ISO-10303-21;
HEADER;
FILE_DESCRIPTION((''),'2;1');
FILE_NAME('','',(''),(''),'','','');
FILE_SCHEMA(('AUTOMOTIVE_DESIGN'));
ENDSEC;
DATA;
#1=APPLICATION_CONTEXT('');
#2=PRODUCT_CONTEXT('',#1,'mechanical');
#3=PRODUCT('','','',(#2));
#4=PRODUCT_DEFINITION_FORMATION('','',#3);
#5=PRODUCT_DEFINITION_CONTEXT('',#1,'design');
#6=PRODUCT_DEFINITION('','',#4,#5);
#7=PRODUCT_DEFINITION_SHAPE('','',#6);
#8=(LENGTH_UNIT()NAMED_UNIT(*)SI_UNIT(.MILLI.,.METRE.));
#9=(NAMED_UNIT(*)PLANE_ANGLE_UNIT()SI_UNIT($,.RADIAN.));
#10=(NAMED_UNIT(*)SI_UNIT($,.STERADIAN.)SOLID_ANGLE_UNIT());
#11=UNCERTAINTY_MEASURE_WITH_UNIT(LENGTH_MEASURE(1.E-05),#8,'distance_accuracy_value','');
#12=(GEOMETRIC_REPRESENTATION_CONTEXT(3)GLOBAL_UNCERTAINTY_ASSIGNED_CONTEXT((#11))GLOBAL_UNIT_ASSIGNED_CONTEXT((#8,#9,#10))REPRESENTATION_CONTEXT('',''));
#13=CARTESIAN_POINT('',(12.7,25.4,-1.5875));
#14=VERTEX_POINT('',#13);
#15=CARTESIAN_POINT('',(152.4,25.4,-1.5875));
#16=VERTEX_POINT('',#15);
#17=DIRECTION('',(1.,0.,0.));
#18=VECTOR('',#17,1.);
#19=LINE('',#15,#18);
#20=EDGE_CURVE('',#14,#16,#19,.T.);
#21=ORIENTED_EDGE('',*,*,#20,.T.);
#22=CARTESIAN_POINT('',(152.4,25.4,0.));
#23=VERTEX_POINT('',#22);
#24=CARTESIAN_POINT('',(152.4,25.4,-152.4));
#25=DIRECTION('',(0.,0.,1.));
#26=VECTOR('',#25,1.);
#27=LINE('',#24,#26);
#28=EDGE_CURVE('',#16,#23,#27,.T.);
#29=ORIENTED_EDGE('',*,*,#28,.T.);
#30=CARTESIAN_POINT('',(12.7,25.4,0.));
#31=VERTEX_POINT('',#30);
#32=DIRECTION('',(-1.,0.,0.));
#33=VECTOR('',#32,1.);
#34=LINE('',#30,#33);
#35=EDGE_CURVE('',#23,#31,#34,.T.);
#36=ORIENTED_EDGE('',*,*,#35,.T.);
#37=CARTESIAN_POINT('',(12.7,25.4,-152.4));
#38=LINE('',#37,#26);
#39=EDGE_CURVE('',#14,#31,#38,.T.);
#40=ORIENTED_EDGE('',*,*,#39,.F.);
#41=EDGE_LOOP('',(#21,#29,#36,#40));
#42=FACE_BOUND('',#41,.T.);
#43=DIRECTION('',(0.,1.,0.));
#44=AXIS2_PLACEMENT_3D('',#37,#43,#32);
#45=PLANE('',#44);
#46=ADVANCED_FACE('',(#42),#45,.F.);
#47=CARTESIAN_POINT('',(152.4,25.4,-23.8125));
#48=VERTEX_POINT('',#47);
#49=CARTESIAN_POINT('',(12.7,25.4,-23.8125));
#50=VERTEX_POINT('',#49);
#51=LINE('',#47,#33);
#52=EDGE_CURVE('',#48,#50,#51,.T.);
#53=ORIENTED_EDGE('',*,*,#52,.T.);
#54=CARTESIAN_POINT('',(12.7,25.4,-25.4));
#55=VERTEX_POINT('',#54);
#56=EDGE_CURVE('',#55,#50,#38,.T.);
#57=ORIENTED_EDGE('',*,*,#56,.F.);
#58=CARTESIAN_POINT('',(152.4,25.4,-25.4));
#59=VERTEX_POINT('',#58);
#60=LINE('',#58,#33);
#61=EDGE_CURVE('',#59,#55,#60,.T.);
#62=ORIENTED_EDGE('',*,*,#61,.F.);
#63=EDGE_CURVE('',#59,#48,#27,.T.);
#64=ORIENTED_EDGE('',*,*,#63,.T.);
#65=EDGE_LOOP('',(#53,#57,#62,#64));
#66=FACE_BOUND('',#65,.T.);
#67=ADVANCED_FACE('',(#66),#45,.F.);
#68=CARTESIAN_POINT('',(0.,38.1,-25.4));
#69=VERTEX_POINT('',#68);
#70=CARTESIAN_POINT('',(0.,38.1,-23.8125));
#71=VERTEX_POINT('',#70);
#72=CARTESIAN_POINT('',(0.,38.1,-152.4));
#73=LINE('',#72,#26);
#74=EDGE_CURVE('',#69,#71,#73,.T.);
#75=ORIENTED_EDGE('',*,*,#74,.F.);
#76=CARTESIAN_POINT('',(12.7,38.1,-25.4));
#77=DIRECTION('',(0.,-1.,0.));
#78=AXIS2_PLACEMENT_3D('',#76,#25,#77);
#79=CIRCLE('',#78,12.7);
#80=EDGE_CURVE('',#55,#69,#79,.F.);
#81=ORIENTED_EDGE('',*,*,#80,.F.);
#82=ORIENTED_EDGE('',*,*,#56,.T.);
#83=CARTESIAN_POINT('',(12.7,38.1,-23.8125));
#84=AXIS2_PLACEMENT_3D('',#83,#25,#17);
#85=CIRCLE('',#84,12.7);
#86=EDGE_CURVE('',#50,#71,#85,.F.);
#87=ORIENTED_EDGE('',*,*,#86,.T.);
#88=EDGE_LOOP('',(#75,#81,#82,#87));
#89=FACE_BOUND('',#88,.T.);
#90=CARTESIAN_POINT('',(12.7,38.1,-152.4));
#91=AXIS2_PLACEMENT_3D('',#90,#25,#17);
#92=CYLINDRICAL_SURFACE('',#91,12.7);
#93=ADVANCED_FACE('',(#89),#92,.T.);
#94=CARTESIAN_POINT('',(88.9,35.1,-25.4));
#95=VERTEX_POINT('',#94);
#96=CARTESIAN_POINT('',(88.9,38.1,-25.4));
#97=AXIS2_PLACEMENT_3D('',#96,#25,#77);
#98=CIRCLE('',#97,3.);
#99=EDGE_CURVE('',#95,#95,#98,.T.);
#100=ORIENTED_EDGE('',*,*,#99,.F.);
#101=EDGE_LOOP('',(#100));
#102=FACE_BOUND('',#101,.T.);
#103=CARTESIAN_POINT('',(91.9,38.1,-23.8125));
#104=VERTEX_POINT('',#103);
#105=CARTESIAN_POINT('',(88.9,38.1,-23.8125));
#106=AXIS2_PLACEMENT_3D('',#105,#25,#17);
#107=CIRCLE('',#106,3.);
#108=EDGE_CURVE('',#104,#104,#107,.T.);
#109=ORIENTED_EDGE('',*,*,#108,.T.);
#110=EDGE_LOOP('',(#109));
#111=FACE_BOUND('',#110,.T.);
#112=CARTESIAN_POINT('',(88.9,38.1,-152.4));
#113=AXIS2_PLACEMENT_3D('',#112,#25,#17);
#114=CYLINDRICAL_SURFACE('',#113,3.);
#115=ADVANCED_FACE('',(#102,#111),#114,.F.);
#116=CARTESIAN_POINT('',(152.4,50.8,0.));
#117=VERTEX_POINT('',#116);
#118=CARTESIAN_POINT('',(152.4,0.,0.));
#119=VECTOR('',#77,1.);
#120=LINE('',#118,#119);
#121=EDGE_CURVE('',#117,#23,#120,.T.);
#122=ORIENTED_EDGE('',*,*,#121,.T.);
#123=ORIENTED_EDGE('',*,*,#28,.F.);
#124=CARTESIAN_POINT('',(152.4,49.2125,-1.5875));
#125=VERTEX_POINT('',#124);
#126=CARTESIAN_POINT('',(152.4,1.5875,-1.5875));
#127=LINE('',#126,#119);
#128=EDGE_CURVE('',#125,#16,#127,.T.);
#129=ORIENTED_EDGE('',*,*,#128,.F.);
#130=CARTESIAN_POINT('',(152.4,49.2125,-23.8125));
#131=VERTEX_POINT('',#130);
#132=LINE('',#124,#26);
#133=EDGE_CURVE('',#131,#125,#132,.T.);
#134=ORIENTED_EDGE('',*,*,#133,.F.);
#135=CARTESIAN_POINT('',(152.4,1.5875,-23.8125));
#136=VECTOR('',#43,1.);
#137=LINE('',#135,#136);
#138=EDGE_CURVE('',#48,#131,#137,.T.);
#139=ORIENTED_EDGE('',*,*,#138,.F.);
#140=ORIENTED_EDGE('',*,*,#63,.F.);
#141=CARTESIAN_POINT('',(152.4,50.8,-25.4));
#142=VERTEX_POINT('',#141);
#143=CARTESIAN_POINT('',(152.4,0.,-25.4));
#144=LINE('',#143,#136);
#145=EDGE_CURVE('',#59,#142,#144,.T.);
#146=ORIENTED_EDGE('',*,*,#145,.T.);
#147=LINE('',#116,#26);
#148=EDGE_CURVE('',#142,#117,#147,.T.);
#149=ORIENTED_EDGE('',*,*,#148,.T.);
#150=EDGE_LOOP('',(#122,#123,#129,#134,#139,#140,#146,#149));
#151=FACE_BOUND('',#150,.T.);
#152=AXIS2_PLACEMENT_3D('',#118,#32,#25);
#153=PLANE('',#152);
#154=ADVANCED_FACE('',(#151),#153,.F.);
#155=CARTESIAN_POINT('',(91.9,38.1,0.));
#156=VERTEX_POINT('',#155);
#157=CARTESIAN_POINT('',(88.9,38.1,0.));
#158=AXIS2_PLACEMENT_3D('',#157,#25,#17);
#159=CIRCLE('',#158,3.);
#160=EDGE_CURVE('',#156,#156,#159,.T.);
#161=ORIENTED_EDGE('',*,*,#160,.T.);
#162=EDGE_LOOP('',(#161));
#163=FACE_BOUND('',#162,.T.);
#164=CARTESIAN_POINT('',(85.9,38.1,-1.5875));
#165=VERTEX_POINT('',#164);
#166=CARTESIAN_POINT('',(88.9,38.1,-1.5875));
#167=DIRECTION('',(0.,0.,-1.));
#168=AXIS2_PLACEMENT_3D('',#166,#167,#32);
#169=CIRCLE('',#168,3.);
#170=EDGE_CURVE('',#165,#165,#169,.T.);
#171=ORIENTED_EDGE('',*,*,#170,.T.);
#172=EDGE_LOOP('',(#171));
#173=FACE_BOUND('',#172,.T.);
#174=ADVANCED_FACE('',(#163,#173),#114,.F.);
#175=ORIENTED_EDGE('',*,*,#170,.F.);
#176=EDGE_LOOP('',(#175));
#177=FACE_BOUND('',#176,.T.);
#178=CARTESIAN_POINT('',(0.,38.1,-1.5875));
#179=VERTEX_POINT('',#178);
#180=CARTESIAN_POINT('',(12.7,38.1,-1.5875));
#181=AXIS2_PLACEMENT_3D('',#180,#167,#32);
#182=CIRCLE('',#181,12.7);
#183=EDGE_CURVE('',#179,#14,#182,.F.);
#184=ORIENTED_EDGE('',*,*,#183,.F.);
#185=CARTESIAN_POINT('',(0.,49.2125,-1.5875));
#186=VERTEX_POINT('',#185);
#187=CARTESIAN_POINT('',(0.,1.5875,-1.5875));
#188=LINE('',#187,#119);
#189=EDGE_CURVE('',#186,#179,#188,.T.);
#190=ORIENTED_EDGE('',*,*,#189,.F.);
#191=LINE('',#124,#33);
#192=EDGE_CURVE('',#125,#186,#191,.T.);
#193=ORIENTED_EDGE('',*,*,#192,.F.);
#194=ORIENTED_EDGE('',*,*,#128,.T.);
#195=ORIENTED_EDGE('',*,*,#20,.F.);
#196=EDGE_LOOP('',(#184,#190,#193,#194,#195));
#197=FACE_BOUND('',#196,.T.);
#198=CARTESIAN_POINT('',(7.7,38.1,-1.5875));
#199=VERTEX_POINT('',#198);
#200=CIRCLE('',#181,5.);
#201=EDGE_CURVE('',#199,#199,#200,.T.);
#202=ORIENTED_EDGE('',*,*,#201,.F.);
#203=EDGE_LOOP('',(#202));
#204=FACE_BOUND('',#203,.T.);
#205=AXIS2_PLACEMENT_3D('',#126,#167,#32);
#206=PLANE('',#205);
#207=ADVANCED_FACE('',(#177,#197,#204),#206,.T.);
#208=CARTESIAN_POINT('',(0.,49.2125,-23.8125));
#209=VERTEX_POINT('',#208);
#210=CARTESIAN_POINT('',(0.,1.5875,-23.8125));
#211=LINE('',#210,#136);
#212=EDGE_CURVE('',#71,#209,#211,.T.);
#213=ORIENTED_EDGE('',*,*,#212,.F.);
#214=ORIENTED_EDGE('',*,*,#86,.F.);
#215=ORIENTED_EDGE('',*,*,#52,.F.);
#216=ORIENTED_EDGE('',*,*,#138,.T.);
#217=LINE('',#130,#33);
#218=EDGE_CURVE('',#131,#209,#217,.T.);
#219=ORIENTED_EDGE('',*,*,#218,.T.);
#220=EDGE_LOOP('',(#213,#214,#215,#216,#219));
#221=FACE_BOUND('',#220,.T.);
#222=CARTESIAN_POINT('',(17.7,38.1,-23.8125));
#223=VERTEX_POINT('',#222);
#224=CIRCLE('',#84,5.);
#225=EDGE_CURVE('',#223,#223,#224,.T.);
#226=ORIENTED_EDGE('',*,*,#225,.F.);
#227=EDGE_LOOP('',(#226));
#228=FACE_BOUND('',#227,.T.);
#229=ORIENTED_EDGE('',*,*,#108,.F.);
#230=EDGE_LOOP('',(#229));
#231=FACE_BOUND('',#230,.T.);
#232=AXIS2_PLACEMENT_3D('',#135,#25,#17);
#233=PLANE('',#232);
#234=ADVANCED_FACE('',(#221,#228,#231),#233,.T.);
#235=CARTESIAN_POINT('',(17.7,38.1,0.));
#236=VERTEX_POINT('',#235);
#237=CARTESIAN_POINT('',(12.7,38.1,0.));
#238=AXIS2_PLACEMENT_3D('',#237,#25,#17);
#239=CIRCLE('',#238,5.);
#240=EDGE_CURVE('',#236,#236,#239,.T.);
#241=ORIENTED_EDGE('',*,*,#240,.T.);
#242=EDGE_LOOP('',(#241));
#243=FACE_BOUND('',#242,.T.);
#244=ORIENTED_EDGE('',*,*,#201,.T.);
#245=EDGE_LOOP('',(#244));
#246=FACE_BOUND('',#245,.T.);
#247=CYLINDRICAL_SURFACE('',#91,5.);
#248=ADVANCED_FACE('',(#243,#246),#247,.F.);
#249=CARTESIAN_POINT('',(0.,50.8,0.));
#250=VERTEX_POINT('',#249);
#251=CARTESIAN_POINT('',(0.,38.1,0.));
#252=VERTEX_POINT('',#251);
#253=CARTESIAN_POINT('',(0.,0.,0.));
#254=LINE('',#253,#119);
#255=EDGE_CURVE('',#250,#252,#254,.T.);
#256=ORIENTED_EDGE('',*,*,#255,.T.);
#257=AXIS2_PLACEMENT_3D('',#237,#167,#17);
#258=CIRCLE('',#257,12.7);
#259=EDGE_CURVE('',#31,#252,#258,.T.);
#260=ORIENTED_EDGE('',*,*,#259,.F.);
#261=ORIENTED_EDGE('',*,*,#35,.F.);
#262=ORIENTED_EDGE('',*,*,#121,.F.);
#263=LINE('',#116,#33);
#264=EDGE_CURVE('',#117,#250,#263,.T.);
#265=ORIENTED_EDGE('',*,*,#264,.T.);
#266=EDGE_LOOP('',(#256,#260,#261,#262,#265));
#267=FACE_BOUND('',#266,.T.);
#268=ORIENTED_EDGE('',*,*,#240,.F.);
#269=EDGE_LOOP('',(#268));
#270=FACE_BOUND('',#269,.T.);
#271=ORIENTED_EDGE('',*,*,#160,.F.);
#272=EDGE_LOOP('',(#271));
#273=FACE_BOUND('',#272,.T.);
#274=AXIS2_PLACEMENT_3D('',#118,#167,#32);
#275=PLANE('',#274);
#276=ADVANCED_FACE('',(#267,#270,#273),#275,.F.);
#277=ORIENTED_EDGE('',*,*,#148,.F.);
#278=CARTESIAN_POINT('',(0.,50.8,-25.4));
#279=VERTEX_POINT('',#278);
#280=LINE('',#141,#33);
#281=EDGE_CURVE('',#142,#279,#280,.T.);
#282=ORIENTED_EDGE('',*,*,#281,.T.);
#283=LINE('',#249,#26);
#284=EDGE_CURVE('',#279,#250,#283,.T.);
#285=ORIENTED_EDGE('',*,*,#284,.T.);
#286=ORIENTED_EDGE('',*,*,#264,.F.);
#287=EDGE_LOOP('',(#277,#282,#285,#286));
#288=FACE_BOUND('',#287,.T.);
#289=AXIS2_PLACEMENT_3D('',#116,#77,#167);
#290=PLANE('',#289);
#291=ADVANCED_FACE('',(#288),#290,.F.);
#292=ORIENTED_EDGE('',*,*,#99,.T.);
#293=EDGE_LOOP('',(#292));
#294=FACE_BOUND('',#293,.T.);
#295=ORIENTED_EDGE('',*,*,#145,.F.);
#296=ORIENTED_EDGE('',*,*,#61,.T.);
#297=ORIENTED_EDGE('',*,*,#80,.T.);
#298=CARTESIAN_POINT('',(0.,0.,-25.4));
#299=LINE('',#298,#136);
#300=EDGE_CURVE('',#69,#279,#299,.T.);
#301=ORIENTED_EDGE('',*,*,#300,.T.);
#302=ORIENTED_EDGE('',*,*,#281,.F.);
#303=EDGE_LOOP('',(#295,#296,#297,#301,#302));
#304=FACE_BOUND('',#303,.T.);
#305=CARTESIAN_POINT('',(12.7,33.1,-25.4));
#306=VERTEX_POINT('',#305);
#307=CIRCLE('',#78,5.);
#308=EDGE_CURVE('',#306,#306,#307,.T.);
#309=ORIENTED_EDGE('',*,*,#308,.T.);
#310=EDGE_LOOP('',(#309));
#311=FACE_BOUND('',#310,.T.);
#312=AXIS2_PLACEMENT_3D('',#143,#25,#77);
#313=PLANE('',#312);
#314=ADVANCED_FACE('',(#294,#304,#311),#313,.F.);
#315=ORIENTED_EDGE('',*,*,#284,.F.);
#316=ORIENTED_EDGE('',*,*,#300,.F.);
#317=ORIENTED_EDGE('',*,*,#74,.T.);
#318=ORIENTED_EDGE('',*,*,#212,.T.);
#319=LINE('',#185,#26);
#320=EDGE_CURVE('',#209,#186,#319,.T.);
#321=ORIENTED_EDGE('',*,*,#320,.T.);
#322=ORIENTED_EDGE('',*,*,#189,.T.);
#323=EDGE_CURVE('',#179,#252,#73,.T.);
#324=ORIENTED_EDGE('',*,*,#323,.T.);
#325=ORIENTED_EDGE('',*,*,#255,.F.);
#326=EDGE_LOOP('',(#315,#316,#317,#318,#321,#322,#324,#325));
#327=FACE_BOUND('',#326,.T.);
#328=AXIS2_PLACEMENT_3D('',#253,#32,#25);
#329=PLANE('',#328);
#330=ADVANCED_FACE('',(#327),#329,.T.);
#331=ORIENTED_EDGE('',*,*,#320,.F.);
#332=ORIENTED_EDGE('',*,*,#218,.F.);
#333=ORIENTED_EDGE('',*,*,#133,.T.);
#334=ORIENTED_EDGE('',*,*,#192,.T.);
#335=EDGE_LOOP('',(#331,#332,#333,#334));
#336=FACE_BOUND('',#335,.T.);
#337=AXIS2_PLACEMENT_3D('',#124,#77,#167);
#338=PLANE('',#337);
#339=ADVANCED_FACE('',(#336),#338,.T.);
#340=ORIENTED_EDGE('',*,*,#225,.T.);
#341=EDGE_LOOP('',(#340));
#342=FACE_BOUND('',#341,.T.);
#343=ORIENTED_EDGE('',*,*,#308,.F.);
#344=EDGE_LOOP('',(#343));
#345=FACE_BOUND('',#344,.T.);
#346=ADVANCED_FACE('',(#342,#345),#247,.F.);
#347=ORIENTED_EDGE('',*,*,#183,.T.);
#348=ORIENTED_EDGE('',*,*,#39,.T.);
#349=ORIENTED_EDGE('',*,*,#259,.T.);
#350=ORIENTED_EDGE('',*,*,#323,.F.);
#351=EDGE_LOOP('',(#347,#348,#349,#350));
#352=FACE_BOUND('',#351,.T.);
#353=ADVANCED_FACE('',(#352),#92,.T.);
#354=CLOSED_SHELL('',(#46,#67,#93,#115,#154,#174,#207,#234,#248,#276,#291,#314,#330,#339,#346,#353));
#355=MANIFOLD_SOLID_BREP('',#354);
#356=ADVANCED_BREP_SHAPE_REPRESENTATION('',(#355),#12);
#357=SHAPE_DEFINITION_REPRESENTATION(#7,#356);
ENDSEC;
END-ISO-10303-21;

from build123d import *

# Parameters (mm, degrees)
SKETCH1_W           = 25.4
SKETCH1_H           = 50.8
SKETCH1_W_2         = 22.225
SKETCH1_H_2         = 47.625
BOSS_EXTRUDE1_DEPTH = 152.4
SKETCH2_R           = 5
SKETCH2_R_2         = 3
CUT_EXTRUDE1_DEPTH  = 152.4


with BuildPart() as part:
    # Sketch1 → Boss-Extrude1 (new body)
    with BuildSketch(Plane(origin=(0, 0, 0), x_dir=(0, 0, -1), z_dir=(1, 0, 0))):
        with Locations((12.7, 25.4)):
            Rectangle(SKETCH1_W, SKETCH1_H)
        with Locations((12.7, 25.4)):
            Rectangle(SKETCH1_W_2, SKETCH1_H_2, mode=Mode.SUBTRACT)
    extrude(amount=BOSS_EXTRUDE1_DEPTH)

    # Sketch2 → Cut-Extrude1 (cut)
    with BuildSketch(Plane.XY):
        with Locations((12.7, 38.1)):
            Circle(SKETCH2_R)
        with Locations((88.9, 38.1)):
            Circle(SKETCH2_R_2)
        with BuildLine():
            Line((12.7, 25.4), (152.4, 25.4))
            Line((152.4, 25.4), (152.4, 0))
            Line((152.4, 0), (0, 0))
            Line((0, 0), (0, 38.1))
            ThreePointArc((0, 38.1), (3.719743879, 29.119743879), (12.7, 25.4))
        make_face()
    extrude(amount=-CUT_EXTRUDE1_DEPTH, mode=Mode.SUBTRACT)


solid = part.part
